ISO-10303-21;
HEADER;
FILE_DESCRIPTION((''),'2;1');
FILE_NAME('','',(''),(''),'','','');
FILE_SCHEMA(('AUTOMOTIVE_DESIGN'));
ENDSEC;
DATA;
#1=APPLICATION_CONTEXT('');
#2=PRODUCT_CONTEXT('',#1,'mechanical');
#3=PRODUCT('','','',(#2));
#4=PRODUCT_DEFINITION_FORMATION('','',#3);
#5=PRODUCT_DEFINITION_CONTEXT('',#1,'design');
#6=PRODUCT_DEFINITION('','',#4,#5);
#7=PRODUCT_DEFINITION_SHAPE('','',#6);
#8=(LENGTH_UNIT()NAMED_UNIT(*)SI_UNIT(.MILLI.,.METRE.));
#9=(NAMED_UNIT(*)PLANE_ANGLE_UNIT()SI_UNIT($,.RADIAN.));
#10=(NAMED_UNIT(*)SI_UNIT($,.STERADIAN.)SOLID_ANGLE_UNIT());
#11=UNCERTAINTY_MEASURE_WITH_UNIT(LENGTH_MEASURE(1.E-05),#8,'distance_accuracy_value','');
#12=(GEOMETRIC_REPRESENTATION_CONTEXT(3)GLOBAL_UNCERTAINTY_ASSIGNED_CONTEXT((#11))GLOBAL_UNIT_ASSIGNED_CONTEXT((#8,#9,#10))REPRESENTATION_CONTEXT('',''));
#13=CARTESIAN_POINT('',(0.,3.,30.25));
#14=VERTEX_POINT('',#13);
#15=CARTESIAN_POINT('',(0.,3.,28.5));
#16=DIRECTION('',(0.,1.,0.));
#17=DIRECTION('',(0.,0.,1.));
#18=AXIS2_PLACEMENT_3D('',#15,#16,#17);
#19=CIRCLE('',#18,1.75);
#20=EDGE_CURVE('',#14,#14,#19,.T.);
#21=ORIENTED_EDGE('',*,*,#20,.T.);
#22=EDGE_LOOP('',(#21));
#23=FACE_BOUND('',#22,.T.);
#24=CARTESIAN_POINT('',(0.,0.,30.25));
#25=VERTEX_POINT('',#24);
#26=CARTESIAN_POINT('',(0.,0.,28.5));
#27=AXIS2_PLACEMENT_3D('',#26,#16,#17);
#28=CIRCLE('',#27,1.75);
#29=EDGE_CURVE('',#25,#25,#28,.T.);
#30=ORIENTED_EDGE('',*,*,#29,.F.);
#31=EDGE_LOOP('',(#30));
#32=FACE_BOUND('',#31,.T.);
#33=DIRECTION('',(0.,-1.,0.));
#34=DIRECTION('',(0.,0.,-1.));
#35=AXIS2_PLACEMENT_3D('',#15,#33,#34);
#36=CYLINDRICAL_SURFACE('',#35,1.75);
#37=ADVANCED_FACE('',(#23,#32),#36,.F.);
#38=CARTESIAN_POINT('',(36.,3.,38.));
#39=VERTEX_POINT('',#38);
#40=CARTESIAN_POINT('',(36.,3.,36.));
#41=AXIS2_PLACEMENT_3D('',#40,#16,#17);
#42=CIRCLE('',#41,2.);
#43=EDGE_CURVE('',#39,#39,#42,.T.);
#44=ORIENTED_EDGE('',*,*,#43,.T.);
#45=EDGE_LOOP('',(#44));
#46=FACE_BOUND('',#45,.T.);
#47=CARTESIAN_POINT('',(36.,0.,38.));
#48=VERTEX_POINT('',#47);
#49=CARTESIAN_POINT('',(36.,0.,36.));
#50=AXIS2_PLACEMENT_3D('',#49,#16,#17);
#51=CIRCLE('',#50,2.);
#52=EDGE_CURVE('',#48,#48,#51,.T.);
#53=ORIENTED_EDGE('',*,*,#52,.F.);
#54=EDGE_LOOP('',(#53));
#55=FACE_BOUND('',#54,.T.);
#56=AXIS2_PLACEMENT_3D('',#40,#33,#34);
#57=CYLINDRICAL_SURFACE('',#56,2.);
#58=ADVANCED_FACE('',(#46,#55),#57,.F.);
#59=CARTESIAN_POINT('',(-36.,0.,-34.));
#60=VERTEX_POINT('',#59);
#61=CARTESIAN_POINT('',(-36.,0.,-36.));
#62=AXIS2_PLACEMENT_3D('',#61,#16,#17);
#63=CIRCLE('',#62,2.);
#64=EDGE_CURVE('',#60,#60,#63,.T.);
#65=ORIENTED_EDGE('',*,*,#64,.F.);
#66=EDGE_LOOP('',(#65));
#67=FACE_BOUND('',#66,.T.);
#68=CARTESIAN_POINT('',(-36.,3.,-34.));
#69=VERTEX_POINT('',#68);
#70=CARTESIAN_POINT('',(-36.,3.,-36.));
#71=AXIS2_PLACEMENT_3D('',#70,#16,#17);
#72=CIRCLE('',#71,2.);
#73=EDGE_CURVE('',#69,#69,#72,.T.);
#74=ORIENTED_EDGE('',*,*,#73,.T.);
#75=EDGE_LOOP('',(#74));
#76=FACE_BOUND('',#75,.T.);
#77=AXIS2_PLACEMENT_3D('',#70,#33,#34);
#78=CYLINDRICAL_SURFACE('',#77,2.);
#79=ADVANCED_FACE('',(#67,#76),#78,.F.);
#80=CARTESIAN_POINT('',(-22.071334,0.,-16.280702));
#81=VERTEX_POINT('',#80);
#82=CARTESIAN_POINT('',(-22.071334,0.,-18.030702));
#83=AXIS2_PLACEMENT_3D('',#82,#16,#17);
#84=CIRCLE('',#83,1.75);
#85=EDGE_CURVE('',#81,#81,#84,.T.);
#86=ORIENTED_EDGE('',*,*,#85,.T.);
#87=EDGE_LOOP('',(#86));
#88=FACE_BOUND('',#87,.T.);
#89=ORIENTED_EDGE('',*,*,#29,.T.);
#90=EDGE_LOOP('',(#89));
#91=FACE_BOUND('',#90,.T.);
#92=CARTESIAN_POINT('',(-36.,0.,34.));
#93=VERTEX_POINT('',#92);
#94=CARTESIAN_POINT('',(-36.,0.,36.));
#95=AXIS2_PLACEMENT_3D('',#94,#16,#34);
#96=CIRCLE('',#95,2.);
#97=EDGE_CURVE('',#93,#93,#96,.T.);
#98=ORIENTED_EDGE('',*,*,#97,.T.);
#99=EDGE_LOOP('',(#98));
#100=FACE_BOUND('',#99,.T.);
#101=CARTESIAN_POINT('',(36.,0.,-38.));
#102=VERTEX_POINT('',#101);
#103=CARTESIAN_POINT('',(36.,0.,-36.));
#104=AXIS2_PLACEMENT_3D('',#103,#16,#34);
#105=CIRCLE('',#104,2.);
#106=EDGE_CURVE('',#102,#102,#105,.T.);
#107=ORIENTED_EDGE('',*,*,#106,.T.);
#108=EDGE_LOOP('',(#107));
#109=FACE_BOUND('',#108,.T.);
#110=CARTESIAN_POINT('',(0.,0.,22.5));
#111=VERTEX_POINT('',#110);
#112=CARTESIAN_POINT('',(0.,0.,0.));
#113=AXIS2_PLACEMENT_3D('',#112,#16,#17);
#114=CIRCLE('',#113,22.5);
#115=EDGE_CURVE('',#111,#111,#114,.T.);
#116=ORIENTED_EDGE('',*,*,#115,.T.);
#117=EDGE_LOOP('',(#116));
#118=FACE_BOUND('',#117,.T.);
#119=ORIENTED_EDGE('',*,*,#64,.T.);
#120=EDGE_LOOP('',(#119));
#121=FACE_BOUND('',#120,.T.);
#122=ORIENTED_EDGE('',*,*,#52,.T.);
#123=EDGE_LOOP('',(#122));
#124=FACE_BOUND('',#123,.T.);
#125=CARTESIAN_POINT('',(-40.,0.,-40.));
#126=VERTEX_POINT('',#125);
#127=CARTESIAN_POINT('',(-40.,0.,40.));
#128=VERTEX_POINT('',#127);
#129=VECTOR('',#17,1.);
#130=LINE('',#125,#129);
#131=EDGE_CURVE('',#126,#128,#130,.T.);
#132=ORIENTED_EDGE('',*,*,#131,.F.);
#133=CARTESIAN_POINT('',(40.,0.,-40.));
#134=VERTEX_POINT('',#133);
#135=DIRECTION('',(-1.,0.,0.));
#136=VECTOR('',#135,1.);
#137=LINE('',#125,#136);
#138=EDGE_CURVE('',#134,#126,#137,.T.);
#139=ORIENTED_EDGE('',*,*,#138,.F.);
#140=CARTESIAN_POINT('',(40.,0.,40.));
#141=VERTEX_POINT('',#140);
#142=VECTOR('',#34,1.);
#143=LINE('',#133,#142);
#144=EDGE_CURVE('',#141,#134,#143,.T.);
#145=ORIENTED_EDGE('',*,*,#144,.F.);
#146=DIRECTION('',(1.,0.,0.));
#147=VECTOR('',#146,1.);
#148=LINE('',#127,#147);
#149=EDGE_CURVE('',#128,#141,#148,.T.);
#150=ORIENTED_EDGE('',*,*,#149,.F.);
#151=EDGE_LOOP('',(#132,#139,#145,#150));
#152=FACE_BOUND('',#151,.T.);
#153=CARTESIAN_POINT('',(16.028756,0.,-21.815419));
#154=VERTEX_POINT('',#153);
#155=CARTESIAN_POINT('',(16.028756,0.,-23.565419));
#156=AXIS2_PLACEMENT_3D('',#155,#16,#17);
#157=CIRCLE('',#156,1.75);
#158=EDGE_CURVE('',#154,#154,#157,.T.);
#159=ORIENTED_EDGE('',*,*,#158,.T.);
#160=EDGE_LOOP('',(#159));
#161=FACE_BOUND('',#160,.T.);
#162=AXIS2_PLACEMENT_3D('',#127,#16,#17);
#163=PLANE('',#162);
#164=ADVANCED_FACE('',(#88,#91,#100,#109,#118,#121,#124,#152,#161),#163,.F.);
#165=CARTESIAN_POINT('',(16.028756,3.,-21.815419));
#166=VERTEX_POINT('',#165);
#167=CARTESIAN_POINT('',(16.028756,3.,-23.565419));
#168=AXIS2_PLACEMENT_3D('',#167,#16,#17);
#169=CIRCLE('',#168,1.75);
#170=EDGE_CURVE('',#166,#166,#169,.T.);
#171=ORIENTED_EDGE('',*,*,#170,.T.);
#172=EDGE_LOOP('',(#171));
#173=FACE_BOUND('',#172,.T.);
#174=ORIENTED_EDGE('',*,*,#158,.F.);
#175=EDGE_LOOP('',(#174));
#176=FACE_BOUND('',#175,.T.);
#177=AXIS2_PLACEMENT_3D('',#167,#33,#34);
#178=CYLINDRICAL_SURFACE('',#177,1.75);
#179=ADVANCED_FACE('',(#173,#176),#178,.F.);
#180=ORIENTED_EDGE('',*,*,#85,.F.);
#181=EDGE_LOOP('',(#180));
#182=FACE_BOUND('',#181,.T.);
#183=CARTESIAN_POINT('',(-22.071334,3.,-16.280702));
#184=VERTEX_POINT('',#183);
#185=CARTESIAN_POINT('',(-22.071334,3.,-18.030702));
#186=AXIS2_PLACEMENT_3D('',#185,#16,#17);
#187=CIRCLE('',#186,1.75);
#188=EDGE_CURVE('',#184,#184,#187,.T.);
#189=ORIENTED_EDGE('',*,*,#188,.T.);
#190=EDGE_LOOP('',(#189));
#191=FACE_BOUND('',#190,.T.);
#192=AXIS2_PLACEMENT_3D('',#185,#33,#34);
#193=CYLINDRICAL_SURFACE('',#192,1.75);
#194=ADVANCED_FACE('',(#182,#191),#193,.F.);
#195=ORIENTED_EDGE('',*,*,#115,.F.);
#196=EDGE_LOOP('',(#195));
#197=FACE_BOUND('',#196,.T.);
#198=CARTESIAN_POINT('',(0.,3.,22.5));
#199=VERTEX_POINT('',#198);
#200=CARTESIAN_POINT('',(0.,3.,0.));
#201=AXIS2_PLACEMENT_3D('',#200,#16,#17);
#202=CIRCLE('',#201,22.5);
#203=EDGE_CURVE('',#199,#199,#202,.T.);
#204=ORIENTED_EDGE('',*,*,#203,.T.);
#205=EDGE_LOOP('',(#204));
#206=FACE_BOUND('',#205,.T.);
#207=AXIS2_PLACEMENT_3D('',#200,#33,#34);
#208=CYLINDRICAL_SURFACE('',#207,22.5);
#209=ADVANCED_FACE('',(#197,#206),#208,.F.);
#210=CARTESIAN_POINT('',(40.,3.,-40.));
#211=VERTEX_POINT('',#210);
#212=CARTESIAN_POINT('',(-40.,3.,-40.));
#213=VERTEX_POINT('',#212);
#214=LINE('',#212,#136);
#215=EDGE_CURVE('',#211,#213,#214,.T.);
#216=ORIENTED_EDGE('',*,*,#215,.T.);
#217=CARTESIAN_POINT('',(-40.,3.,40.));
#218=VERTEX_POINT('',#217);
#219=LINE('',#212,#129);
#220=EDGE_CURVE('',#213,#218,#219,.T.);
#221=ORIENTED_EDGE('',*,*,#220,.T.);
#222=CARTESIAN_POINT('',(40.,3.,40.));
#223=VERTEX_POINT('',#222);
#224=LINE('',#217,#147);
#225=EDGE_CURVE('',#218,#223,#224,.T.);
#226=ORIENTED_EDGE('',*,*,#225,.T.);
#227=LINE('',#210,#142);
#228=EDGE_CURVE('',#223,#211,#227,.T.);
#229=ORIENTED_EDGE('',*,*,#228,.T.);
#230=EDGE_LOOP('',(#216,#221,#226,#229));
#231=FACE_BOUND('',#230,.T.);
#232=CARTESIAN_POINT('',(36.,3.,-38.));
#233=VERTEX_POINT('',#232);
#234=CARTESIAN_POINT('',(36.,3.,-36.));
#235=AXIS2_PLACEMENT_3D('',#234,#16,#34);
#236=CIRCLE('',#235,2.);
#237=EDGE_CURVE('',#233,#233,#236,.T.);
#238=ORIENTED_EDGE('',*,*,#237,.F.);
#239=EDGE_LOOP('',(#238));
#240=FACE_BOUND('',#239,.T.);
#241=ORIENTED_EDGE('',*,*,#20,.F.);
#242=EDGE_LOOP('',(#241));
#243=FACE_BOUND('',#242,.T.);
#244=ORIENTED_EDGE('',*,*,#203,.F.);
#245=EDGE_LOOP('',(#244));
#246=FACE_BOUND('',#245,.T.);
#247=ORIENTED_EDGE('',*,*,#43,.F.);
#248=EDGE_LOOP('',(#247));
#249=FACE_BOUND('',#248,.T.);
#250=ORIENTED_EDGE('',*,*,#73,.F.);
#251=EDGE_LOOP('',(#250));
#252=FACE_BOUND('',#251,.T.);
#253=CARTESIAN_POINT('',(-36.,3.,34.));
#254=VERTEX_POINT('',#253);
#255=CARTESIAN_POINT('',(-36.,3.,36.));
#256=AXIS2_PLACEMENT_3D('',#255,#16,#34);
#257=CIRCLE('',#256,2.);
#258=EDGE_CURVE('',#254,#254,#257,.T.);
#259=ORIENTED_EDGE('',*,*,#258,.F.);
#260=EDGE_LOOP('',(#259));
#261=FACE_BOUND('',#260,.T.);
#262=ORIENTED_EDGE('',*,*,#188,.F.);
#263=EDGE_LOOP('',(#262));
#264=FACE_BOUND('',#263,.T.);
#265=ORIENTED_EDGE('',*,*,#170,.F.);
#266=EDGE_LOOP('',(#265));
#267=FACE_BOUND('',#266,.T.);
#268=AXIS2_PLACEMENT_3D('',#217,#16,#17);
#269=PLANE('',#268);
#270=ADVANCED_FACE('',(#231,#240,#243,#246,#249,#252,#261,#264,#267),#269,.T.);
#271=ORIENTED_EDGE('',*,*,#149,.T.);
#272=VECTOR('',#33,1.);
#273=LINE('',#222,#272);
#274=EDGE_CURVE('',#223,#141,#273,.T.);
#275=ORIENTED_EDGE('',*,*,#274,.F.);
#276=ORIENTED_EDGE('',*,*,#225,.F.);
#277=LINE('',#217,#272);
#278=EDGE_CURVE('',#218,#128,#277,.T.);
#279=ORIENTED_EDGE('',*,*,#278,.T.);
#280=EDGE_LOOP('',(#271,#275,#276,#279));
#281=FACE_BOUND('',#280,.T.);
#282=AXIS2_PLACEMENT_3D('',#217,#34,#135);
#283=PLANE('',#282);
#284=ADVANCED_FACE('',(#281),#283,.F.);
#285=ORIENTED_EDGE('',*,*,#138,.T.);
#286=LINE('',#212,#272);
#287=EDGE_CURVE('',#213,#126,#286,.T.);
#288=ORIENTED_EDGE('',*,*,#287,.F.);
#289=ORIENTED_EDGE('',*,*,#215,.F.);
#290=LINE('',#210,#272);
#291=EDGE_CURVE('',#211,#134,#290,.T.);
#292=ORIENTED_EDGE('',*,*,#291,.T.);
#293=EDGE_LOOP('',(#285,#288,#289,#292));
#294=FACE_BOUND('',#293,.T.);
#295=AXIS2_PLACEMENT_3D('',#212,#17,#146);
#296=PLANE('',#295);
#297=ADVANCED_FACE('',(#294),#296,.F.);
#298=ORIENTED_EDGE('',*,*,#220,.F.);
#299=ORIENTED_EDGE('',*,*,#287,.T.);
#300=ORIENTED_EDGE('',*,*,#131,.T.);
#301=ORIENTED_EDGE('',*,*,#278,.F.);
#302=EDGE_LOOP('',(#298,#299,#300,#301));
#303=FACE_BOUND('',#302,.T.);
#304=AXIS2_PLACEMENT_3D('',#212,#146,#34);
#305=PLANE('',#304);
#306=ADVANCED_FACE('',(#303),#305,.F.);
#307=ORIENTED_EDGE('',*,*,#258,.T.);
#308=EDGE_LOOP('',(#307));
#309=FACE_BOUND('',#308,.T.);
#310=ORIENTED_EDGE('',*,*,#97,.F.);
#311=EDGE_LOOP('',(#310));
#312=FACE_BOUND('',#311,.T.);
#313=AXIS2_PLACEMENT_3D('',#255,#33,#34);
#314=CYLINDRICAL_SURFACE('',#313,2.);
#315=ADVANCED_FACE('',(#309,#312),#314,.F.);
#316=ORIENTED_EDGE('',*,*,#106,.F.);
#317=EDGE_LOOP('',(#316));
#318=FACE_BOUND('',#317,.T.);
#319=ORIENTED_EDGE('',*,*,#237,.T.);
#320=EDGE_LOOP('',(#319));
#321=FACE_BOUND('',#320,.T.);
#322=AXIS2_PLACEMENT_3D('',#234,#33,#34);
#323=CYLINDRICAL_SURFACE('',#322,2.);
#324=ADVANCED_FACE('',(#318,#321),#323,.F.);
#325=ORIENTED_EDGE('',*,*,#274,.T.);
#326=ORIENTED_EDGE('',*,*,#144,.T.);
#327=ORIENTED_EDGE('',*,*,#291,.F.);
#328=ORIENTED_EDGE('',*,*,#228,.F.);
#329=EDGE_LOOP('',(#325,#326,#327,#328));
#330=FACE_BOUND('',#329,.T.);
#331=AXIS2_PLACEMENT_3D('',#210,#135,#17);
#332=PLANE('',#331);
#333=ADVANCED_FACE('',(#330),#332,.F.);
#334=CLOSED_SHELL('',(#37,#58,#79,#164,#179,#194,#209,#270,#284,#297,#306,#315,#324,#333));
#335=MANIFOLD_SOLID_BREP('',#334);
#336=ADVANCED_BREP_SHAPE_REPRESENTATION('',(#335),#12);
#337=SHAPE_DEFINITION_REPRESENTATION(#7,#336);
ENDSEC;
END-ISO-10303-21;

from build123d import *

# Parameters (mm, degrees)
ESQUISSE1_W      = 80
ESQUISSE1_H      = 80
ESQUISSE1_R      = 2
ESQUISSE1_R_2    = 1.75
ESQUISSE1_R_3    = 22.5
EXTRUSION1_DEPTH = 3


with BuildPart() as part:
    # Esquisse1 → Extrusion1 (new body)
    with BuildSketch(Plane(origin=(0, 0, 0), x_dir=(1, 0, 0), z_dir=(0, 1, 0))):
        Rectangle(ESQUISSE1_W, ESQUISSE1_H)
        with Locations(Location((-36, 36, 0), (0, 0, 270))):
            Circle(ESQUISSE1_R, mode=Mode.SUBTRACT)
        with Locations(Location((-22.07133422, 18.030701754, 0), (0, 0, 270))):
            Circle(ESQUISSE1_R_2, mode=Mode.SUBTRACT)
        with Locations(Location((0, -28.5, 0), (0, 0, 270))):
            Circle(ESQUISSE1_R_2, mode=Mode.SUBTRACT)
        with Locations(Location((16.028756412, 23.565418899, 0), (0, 0, 270))):
            Circle(ESQUISSE1_R_2, mode=Mode.SUBTRACT)
        with Locations(Location((36, 36, 0), (0, 0, 90))):
            Circle(ESQUISSE1_R, mode=Mode.SUBTRACT)
        with Locations(Location((-36, -36, 0), (0, 0, 90))):
            Circle(ESQUISSE1_R, mode=Mode.SUBTRACT)
        with Locations(Location((36, -36, 0), (0, 0, 270))):
            Circle(ESQUISSE1_R, mode=Mode.SUBTRACT)
        with Locations(Location((0, 0, 0), (0, 0, 270))):
            Circle(ESQUISSE1_R_3, mode=Mode.SUBTRACT)
    extrude(amount=EXTRUSION1_DEPTH)


solid = part.part
